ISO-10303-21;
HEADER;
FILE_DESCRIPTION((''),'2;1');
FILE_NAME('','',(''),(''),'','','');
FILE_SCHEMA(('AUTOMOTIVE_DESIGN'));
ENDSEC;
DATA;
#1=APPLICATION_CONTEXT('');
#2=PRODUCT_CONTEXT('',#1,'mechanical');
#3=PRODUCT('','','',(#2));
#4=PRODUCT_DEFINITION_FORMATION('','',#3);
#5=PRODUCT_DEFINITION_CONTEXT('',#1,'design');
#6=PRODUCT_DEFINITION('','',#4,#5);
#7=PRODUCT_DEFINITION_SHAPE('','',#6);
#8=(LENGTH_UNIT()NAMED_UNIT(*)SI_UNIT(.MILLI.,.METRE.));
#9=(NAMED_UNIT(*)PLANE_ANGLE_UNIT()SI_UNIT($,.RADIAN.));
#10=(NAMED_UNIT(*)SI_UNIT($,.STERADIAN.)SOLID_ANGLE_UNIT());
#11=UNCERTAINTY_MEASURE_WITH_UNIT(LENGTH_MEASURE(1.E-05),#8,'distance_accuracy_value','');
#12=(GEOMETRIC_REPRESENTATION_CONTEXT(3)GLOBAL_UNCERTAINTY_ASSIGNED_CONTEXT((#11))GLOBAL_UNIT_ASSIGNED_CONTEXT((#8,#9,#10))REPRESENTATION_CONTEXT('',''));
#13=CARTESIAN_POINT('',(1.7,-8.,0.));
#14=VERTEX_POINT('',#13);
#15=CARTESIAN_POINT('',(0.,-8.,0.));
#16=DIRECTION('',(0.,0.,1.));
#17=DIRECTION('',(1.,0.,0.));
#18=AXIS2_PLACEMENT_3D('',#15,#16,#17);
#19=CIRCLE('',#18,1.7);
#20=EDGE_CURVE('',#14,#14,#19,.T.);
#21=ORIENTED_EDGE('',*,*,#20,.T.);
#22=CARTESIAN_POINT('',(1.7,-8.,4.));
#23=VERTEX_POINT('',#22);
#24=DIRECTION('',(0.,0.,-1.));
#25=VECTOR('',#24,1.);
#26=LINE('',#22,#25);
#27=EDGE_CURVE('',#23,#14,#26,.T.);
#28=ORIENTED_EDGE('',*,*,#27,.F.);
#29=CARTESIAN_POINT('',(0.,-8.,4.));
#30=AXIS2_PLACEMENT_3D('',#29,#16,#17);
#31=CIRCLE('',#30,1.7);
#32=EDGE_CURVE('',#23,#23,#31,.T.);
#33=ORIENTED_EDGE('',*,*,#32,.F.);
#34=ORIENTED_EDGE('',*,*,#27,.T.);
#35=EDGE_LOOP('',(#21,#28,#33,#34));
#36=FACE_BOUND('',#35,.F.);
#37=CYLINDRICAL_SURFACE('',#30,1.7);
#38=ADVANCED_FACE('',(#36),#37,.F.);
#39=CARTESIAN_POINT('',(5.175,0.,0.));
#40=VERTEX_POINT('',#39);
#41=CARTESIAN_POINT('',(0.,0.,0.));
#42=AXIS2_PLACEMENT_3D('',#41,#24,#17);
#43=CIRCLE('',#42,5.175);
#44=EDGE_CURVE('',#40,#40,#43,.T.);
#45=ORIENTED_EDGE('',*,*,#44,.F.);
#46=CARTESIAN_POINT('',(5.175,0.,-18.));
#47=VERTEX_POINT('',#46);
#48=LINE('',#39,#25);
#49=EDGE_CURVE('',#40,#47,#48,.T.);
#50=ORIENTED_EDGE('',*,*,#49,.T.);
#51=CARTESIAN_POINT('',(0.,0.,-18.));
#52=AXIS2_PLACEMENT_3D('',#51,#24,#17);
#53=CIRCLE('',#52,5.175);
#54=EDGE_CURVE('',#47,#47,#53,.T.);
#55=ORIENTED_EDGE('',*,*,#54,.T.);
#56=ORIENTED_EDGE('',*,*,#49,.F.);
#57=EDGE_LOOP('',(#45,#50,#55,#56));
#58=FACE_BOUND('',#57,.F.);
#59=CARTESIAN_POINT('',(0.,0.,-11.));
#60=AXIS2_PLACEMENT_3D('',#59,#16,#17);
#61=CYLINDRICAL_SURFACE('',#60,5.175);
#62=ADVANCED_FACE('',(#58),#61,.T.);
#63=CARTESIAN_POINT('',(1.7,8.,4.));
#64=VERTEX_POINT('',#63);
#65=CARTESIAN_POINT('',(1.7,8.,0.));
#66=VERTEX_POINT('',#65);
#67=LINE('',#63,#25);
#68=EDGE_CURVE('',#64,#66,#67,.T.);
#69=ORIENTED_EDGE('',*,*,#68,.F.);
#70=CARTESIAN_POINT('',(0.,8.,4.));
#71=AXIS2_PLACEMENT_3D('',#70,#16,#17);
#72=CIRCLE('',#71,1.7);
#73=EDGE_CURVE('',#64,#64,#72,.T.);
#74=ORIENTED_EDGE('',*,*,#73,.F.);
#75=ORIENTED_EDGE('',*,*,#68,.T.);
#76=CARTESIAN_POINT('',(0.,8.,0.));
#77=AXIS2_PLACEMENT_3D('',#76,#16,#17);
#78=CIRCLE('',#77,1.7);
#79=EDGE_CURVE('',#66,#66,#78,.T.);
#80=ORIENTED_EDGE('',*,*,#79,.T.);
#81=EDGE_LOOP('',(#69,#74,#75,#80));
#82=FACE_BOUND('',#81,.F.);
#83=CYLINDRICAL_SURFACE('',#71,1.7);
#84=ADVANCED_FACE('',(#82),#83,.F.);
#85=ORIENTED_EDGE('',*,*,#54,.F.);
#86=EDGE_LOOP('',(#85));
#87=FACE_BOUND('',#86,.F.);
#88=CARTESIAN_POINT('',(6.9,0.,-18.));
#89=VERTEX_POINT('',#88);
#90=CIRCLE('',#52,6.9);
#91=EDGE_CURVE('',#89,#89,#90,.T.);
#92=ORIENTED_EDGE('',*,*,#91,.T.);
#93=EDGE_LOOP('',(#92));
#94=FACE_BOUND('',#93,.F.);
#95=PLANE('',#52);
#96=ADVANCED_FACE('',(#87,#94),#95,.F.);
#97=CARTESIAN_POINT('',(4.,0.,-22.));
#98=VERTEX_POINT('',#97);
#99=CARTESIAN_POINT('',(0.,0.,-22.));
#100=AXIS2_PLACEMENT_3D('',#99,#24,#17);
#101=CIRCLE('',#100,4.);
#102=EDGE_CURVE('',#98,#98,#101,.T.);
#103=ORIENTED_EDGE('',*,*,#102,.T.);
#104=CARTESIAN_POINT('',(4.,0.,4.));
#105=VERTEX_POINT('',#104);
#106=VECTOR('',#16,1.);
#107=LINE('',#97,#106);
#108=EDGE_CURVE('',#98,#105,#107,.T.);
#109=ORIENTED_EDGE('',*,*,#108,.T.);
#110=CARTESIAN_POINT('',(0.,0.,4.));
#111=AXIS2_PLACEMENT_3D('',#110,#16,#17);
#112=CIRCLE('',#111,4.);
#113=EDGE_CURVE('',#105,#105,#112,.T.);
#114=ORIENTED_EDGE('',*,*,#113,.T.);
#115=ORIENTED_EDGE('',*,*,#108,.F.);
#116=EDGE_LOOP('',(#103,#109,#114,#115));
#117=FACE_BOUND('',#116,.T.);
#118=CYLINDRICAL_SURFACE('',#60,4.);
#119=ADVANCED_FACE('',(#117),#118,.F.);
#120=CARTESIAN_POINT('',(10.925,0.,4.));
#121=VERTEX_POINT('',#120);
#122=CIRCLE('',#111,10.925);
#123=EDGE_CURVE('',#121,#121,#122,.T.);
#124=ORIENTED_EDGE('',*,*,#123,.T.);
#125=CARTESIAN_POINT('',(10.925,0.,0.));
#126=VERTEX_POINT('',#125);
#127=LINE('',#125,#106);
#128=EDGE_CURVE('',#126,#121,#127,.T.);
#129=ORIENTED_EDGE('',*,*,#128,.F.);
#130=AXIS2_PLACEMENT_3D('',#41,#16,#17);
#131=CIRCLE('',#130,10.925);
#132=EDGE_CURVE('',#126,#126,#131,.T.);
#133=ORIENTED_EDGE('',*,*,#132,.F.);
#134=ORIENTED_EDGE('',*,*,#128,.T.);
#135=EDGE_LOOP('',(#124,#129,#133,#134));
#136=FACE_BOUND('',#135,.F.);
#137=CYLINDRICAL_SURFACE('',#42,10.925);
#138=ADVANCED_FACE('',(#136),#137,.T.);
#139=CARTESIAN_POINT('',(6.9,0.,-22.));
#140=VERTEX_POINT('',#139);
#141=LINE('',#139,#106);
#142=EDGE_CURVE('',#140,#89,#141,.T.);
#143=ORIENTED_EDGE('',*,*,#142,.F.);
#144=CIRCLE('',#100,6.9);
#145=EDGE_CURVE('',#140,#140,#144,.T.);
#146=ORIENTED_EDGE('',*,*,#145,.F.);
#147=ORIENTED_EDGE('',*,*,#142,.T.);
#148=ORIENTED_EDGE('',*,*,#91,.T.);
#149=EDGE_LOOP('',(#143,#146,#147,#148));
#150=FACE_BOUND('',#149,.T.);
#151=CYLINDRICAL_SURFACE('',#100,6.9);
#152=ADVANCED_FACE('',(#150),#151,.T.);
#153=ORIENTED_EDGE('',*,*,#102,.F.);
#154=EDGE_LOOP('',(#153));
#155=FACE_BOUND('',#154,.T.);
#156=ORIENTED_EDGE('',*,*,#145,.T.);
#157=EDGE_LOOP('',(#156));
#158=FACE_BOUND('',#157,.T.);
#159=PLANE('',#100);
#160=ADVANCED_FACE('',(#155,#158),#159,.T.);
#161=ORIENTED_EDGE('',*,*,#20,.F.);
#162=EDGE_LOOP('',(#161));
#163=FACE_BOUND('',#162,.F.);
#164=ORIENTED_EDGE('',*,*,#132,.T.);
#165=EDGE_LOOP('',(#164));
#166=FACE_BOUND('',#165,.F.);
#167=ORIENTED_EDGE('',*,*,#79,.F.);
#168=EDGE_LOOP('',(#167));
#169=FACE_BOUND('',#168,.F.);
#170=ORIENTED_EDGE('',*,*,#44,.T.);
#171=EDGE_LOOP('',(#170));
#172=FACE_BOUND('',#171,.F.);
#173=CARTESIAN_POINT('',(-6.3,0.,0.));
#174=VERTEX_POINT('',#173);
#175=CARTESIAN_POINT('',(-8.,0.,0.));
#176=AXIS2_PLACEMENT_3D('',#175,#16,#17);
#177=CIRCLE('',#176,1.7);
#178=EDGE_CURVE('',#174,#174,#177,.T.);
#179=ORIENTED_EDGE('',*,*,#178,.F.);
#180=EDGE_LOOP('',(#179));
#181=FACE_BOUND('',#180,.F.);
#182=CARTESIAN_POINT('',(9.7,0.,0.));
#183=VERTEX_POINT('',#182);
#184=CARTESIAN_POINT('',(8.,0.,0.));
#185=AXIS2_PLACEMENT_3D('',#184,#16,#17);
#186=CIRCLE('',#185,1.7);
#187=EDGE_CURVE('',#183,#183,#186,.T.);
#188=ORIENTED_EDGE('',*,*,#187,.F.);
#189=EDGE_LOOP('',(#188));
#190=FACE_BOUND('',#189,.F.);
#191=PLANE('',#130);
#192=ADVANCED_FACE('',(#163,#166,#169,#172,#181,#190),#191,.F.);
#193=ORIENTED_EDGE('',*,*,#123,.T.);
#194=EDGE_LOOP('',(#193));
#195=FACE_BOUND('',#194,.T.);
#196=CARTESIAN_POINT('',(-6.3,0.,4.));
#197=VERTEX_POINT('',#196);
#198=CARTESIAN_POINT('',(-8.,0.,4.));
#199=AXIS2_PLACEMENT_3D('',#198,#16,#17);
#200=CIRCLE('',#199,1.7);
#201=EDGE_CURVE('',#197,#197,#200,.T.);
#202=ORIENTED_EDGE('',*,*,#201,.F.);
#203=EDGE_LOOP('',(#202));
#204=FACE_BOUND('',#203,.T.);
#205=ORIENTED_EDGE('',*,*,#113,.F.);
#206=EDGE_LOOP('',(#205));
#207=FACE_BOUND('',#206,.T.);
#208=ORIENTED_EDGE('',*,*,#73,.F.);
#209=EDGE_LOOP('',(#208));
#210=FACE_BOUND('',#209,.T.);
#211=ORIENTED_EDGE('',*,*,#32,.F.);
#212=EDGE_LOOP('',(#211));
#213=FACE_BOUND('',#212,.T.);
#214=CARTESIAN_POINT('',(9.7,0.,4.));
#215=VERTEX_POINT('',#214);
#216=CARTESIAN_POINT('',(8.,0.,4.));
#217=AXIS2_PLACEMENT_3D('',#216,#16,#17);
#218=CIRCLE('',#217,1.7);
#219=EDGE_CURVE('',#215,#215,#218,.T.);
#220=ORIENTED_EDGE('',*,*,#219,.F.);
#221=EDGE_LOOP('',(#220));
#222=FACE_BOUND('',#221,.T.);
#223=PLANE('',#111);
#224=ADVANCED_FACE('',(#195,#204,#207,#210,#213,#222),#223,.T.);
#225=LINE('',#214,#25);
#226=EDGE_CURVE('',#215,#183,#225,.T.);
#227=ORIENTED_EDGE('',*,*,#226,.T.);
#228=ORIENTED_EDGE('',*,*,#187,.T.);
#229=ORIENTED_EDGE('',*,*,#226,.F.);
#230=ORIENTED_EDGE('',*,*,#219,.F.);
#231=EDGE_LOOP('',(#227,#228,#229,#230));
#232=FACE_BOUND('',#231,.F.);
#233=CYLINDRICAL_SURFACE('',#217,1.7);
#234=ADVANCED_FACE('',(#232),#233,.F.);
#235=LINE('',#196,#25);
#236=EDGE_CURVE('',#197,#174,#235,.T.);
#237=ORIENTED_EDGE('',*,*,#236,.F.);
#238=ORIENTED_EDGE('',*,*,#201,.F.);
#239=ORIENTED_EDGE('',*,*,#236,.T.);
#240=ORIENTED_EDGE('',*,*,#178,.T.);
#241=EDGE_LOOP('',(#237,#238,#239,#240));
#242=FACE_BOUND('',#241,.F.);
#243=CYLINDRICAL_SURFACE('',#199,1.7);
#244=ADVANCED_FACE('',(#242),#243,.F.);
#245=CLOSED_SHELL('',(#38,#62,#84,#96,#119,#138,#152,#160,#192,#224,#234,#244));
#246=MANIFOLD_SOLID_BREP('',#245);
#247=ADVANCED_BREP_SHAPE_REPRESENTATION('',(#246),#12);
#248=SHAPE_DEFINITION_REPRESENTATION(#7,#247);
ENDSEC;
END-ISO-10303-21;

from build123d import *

# Parameters (mm, degrees)
F0_R     = 10.925
F0_R_2   = 4
F1_DEPTH = 4
F2_R     = 1.7
F3_DEPTH = 4
F4_R     = 5.175
F4_R_2   = 4
F5_DEPTH = 11
F6_DEPTH = 11
F7_R     = 6.9
F7_R_2   = 5.175
F8_DEPTH = 4


with BuildPart() as f1:
    # F0 (on Top) → F1 (new body)
    with BuildSketch(Plane.XY):
        Circle(F0_R)
        Circle(F0_R_2, mode=Mode.SUBTRACT)
    extrude(amount=F1_DEPTH)

    # F2 (on face) → F3 (cut, through all)
    with BuildSketch(Plane.XY.offset(4)):
        with Locations((0, 8)):
            Circle(F2_R)
        with Locations((-8, 0)):
            Circle(F2_R)
        with Locations((8, 0)):
            Circle(F2_R)
        with Locations((0, -8)):
            Circle(F2_R)
    extrude(amount=-F3_DEPTH, mode=Mode.SUBTRACT)

    # F4 (on face) → F5 (join)
    with BuildSketch(Plane(origin=(0, 0, 0), x_dir=(1, 0, 0), z_dir=(0, 0, -1))):
        Circle(F4_R)
        Circle(F4_R_2, mode=Mode.SUBTRACT)
    extrude(amount=F5_DEPTH)

    # F6 (add): a face of the model
    f6_faces = [f1.faces().sort_by_distance(p)[0] for p in [
        (-5.0286288963, 0, -11),
    ]]
    extrude(f6_faces, amount=F6_DEPTH)

    # F7 (on face) → F8 (join)
    with BuildSketch(Plane(origin=(0, 0, -22), x_dir=(1, 0, 0), z_dir=(0, 0, -1))):
        Circle(F7_R)
        Circle(F7_R_2, mode=Mode.SUBTRACT)
    extrude(amount=-F8_DEPTH)


solid = f1.part
